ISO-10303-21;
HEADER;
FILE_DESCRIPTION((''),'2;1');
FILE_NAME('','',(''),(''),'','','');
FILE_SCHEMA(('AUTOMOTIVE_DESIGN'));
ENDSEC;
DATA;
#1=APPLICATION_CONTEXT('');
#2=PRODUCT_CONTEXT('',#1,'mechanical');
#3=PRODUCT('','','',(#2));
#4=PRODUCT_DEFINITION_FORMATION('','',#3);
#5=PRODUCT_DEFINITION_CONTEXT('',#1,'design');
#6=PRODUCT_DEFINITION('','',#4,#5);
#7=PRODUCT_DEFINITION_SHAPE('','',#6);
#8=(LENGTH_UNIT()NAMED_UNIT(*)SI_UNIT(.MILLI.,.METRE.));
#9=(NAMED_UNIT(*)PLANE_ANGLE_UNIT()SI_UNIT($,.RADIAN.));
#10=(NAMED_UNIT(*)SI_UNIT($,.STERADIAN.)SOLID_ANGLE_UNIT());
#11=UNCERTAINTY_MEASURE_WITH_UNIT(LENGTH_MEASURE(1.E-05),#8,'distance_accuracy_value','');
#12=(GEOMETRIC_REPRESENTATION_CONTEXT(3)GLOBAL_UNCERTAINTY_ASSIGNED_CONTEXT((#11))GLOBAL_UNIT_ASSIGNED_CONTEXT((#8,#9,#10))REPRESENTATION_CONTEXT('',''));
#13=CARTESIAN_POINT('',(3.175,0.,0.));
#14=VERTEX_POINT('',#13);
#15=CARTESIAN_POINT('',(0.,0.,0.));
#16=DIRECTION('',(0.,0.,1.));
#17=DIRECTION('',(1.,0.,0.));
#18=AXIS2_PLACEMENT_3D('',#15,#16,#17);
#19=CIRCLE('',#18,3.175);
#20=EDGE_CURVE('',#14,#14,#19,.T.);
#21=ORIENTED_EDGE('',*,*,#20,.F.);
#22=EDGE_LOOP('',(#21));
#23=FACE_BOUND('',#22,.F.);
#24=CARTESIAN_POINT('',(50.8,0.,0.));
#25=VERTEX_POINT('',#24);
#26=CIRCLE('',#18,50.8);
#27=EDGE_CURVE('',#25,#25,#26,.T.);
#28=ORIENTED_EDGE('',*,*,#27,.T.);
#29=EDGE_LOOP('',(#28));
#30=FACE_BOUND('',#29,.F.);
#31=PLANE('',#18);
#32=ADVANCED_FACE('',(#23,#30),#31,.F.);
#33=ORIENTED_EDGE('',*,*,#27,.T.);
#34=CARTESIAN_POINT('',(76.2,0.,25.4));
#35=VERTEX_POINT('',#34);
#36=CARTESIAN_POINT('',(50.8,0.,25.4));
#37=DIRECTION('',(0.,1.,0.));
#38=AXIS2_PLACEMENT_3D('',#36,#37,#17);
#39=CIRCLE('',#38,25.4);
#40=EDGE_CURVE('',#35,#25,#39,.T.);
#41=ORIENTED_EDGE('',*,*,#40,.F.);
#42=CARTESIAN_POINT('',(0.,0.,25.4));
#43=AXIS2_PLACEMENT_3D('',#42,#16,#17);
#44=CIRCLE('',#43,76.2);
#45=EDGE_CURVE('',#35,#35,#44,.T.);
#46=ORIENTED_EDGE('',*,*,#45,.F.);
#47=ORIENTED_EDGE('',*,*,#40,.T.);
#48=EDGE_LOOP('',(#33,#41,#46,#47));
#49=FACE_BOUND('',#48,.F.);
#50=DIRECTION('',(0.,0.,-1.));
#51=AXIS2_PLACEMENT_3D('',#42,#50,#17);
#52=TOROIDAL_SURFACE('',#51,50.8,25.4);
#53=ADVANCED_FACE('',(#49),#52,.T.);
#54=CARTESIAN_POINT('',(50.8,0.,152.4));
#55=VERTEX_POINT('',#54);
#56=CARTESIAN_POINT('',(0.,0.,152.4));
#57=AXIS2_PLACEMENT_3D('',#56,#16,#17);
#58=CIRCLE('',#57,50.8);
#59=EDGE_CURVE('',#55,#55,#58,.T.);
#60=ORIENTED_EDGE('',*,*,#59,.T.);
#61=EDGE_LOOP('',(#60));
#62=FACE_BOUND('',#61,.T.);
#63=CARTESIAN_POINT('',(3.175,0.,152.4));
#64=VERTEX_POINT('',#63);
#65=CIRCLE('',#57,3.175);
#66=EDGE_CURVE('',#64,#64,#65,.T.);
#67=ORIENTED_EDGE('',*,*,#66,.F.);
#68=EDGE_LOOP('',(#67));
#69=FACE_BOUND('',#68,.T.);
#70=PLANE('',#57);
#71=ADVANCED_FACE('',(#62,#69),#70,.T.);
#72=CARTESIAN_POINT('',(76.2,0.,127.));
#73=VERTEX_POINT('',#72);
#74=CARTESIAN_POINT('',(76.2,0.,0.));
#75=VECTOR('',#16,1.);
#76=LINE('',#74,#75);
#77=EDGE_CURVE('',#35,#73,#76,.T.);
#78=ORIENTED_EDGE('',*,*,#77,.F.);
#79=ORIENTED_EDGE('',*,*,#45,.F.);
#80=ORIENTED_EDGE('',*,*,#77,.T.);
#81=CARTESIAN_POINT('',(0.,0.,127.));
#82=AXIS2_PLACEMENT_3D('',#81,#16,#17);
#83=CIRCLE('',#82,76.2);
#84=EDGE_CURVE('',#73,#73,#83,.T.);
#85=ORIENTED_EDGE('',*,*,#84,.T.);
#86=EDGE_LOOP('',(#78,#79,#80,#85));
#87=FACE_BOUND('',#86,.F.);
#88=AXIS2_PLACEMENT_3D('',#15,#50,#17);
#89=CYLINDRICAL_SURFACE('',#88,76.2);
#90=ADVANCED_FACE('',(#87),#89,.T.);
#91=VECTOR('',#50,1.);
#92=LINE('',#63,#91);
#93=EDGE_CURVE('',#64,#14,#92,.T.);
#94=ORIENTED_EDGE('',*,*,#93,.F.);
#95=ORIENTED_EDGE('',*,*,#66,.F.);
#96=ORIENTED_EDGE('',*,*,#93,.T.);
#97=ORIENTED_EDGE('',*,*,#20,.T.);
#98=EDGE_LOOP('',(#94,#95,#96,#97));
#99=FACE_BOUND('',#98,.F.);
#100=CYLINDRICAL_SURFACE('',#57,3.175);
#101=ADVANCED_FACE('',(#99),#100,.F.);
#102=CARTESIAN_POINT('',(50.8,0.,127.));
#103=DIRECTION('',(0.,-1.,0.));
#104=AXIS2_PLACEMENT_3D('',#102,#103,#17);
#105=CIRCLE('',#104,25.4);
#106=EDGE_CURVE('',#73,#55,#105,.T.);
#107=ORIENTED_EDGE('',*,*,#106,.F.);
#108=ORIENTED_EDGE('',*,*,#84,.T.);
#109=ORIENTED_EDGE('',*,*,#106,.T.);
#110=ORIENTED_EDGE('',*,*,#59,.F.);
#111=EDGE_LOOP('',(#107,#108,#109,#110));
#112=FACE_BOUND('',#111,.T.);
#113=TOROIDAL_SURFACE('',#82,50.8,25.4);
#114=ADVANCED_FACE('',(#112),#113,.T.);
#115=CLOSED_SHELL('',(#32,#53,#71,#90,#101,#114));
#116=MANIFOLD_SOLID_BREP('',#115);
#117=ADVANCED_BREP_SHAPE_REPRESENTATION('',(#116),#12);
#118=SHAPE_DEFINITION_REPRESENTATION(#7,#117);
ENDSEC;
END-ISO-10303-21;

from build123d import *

# Parameters (mm, degrees)
F0_R     = 76.2
F1_DEPTH = 152.4
F2_R     = 25.4
F3_R     = 3.175
F4_DEPTH = 254


with BuildPart() as f1:
    # F0 (on Top) → F1 (new body)
    with BuildSketch(Plane.XY):
        Circle(F0_R)
    extrude(amount=F1_DEPTH)

    # F2
    f2_edges = [f1.edges().sort_by_distance(p)[0] for p in [
        (76.2, 0, 76.2),
        (-76.2, 0, 0),
        (-76.2, 0, 152.4),
    ]]
    fillet(f2_edges, radius=F2_R)

    # F3 (on face) → F4 (cut)
    with BuildSketch(Plane.XY.offset(152.4)):
        Circle(F3_R)
    extrude(amount=-F4_DEPTH, mode=Mode.SUBTRACT)


solid = f1.part
